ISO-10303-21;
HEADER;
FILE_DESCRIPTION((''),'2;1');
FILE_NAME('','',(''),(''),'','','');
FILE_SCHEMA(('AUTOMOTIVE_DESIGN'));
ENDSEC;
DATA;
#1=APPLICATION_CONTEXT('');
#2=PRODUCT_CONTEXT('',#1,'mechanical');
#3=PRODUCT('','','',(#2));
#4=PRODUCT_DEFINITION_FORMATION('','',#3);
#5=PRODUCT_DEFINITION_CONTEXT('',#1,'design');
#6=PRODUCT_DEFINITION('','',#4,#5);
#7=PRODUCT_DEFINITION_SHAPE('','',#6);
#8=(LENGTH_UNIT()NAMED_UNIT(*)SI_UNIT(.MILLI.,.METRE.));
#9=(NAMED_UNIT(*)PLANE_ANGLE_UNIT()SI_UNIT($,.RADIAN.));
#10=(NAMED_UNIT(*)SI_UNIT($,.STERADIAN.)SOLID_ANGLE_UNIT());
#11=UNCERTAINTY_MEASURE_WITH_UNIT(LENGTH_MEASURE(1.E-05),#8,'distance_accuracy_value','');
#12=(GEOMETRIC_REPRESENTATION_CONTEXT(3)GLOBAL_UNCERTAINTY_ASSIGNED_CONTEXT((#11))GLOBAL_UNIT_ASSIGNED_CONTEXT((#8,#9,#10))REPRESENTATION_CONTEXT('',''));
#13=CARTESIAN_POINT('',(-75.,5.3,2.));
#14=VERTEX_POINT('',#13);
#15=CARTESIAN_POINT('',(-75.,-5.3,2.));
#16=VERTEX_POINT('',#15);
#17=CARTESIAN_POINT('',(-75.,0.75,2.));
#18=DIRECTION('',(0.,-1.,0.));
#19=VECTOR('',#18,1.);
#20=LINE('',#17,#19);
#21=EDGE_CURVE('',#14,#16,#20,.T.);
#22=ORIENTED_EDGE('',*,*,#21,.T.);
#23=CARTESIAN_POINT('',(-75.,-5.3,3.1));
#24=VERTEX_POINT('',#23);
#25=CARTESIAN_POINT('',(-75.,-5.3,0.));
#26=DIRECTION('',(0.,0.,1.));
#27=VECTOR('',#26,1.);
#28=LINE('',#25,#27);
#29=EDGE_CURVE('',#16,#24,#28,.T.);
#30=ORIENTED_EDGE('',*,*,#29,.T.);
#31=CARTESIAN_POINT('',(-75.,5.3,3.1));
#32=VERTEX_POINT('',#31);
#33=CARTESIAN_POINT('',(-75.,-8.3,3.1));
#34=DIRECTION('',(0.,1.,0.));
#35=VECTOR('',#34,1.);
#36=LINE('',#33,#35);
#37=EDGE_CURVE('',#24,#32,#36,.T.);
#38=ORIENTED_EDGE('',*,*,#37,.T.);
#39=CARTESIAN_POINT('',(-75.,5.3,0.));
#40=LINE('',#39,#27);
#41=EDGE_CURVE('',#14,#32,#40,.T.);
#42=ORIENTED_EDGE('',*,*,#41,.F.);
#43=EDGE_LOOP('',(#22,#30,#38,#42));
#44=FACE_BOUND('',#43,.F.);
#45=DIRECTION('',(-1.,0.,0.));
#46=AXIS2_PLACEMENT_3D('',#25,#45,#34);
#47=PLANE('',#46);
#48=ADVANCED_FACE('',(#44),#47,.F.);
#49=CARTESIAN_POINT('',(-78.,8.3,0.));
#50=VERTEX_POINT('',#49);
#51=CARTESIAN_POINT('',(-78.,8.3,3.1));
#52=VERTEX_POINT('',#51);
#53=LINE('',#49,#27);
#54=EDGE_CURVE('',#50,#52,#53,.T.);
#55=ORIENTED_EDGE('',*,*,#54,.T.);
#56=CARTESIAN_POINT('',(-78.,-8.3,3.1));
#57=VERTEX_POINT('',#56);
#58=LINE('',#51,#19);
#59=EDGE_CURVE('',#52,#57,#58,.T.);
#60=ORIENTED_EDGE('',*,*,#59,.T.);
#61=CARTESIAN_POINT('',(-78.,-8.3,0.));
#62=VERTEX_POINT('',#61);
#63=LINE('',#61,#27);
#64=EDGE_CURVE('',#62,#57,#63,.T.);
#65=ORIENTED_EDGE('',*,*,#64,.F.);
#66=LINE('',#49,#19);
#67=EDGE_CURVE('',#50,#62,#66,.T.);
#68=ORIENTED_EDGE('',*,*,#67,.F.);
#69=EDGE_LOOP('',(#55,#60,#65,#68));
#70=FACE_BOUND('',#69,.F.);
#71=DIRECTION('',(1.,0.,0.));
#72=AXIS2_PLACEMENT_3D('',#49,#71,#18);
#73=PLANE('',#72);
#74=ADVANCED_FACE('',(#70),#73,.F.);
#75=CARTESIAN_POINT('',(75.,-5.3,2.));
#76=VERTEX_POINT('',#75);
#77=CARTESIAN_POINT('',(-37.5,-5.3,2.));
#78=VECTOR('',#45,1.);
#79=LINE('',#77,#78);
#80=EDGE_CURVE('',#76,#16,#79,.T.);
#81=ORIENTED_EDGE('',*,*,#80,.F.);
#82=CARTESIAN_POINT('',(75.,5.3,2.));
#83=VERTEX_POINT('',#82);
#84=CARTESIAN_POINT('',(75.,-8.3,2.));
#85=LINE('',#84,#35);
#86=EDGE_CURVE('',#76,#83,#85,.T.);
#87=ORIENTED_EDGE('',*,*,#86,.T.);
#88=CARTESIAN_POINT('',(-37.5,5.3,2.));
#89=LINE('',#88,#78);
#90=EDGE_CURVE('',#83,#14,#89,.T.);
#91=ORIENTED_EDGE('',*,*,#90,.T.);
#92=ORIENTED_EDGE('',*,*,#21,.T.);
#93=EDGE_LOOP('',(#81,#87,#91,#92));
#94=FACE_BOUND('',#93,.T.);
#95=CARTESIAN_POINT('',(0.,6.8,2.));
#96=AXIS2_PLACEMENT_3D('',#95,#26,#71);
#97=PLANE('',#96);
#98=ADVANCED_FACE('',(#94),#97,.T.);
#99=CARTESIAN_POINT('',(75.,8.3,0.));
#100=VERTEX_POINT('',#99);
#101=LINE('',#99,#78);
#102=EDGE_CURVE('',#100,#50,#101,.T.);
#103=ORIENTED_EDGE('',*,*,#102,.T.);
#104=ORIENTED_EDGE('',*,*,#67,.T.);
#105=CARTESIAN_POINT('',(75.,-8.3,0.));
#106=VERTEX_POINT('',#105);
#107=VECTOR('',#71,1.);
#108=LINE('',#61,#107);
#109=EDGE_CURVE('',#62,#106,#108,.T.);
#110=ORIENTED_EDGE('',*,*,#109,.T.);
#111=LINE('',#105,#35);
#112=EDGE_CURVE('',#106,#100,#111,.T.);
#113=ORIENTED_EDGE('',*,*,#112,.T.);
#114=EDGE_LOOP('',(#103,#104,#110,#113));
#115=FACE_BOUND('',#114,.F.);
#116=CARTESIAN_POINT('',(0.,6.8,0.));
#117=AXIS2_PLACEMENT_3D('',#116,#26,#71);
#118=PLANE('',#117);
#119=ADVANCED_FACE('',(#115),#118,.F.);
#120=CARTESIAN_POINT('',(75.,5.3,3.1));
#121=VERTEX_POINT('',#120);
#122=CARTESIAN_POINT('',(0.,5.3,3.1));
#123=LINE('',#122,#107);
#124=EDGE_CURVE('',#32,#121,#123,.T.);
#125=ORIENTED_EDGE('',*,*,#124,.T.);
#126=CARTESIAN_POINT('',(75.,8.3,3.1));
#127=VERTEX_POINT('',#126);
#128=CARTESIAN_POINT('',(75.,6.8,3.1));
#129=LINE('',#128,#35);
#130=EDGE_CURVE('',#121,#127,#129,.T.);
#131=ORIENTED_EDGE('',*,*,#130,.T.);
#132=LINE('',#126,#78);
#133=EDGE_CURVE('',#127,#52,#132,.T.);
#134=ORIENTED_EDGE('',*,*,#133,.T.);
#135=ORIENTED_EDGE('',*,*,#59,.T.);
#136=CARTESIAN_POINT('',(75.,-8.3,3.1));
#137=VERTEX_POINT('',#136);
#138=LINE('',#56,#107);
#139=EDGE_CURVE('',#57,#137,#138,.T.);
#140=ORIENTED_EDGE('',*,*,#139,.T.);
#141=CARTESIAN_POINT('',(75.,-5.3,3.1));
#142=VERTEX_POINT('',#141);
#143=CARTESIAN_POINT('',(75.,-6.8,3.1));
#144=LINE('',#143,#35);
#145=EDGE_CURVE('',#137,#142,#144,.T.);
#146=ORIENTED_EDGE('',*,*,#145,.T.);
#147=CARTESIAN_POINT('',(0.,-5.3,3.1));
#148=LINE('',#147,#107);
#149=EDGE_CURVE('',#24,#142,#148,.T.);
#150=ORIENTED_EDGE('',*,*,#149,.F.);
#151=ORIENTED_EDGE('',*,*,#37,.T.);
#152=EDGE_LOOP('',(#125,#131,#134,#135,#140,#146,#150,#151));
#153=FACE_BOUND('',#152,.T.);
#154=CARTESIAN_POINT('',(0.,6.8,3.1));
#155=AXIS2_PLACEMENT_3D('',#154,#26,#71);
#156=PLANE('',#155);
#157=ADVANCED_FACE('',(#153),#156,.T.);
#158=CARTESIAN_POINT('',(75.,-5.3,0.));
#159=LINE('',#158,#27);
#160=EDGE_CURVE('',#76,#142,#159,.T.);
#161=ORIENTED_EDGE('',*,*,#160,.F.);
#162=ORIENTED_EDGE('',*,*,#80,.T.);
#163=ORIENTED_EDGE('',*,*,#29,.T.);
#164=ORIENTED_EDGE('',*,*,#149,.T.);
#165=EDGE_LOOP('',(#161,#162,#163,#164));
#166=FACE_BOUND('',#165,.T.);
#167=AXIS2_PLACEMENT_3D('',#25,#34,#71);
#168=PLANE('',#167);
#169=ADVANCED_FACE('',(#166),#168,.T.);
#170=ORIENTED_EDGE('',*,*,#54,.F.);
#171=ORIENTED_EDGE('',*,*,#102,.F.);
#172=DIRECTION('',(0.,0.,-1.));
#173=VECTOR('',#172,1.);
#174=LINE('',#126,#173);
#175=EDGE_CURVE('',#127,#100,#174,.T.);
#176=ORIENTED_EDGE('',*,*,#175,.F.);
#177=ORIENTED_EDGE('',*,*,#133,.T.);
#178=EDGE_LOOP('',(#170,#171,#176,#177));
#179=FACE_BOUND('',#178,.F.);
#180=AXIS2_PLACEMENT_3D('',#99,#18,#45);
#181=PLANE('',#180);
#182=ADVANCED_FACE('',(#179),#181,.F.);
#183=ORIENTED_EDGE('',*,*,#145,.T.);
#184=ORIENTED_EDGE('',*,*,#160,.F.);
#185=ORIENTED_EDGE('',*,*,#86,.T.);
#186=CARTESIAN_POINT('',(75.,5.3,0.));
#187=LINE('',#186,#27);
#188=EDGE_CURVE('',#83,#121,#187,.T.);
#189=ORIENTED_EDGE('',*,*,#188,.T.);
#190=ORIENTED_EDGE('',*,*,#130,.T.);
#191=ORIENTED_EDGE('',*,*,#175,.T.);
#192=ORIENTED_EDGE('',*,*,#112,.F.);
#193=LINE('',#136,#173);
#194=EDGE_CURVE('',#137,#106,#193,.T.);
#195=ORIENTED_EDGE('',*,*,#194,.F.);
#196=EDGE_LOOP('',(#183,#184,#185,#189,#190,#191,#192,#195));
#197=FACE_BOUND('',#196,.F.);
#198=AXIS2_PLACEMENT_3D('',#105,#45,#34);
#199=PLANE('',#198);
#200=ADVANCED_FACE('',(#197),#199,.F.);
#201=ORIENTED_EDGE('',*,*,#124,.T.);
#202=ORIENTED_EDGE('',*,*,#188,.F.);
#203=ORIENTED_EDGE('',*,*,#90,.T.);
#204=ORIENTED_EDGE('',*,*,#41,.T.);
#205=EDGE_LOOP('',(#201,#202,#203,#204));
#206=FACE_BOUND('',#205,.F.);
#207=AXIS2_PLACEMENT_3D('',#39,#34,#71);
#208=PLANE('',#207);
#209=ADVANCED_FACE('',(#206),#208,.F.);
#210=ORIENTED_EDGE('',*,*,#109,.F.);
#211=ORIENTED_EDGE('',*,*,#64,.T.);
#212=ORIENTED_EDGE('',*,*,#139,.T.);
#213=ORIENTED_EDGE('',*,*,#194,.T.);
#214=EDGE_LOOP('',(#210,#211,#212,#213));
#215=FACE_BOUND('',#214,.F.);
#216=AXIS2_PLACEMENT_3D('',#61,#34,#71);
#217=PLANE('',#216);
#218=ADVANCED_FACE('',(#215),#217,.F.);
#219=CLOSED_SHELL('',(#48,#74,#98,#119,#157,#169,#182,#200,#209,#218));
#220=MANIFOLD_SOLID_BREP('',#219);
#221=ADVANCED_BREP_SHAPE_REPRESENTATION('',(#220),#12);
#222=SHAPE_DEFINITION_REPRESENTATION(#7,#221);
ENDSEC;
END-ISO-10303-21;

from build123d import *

# Parameters (mm, degrees)
F0_W     = 150
F0_H     = 3
F0_H_2   = 10.6
F1_DEPTH = 2
F2_DEPTH = 3.1


with BuildPart() as f1:
    # F0 (on Top) → F1 (new body)
    with BuildSketch(Plane.XY):
        with Locations((0, 6.8)):
            Rectangle(F0_W, F0_H)
        Rectangle(F0_W, F0_H_2)
        Polygon((-75, -5.3), (-75, 5.3), (-75, 8.3), (-78, 8.3), (-78, -8.3), (-75, -8.3), align=None)
        with Locations((0, -6.8)):
            Rectangle(F0_W, F0_H)
    extrude(amount=F1_DEPTH)

    # F0 (on Top) → F2 (join)
    with BuildSketch(Plane.XY):
        with Locations((0, 6.8)):
            Rectangle(F0_W, F0_H)
        Polygon((-75, -5.3), (-75, 5.3), (-75, 8.3), (-78, 8.3), (-78, -8.3), (-75, -8.3), align=None)
        with Locations((0, -6.8)):
            Rectangle(F0_W, F0_H)
    extrude(amount=F2_DEPTH)


solid = f1.part
